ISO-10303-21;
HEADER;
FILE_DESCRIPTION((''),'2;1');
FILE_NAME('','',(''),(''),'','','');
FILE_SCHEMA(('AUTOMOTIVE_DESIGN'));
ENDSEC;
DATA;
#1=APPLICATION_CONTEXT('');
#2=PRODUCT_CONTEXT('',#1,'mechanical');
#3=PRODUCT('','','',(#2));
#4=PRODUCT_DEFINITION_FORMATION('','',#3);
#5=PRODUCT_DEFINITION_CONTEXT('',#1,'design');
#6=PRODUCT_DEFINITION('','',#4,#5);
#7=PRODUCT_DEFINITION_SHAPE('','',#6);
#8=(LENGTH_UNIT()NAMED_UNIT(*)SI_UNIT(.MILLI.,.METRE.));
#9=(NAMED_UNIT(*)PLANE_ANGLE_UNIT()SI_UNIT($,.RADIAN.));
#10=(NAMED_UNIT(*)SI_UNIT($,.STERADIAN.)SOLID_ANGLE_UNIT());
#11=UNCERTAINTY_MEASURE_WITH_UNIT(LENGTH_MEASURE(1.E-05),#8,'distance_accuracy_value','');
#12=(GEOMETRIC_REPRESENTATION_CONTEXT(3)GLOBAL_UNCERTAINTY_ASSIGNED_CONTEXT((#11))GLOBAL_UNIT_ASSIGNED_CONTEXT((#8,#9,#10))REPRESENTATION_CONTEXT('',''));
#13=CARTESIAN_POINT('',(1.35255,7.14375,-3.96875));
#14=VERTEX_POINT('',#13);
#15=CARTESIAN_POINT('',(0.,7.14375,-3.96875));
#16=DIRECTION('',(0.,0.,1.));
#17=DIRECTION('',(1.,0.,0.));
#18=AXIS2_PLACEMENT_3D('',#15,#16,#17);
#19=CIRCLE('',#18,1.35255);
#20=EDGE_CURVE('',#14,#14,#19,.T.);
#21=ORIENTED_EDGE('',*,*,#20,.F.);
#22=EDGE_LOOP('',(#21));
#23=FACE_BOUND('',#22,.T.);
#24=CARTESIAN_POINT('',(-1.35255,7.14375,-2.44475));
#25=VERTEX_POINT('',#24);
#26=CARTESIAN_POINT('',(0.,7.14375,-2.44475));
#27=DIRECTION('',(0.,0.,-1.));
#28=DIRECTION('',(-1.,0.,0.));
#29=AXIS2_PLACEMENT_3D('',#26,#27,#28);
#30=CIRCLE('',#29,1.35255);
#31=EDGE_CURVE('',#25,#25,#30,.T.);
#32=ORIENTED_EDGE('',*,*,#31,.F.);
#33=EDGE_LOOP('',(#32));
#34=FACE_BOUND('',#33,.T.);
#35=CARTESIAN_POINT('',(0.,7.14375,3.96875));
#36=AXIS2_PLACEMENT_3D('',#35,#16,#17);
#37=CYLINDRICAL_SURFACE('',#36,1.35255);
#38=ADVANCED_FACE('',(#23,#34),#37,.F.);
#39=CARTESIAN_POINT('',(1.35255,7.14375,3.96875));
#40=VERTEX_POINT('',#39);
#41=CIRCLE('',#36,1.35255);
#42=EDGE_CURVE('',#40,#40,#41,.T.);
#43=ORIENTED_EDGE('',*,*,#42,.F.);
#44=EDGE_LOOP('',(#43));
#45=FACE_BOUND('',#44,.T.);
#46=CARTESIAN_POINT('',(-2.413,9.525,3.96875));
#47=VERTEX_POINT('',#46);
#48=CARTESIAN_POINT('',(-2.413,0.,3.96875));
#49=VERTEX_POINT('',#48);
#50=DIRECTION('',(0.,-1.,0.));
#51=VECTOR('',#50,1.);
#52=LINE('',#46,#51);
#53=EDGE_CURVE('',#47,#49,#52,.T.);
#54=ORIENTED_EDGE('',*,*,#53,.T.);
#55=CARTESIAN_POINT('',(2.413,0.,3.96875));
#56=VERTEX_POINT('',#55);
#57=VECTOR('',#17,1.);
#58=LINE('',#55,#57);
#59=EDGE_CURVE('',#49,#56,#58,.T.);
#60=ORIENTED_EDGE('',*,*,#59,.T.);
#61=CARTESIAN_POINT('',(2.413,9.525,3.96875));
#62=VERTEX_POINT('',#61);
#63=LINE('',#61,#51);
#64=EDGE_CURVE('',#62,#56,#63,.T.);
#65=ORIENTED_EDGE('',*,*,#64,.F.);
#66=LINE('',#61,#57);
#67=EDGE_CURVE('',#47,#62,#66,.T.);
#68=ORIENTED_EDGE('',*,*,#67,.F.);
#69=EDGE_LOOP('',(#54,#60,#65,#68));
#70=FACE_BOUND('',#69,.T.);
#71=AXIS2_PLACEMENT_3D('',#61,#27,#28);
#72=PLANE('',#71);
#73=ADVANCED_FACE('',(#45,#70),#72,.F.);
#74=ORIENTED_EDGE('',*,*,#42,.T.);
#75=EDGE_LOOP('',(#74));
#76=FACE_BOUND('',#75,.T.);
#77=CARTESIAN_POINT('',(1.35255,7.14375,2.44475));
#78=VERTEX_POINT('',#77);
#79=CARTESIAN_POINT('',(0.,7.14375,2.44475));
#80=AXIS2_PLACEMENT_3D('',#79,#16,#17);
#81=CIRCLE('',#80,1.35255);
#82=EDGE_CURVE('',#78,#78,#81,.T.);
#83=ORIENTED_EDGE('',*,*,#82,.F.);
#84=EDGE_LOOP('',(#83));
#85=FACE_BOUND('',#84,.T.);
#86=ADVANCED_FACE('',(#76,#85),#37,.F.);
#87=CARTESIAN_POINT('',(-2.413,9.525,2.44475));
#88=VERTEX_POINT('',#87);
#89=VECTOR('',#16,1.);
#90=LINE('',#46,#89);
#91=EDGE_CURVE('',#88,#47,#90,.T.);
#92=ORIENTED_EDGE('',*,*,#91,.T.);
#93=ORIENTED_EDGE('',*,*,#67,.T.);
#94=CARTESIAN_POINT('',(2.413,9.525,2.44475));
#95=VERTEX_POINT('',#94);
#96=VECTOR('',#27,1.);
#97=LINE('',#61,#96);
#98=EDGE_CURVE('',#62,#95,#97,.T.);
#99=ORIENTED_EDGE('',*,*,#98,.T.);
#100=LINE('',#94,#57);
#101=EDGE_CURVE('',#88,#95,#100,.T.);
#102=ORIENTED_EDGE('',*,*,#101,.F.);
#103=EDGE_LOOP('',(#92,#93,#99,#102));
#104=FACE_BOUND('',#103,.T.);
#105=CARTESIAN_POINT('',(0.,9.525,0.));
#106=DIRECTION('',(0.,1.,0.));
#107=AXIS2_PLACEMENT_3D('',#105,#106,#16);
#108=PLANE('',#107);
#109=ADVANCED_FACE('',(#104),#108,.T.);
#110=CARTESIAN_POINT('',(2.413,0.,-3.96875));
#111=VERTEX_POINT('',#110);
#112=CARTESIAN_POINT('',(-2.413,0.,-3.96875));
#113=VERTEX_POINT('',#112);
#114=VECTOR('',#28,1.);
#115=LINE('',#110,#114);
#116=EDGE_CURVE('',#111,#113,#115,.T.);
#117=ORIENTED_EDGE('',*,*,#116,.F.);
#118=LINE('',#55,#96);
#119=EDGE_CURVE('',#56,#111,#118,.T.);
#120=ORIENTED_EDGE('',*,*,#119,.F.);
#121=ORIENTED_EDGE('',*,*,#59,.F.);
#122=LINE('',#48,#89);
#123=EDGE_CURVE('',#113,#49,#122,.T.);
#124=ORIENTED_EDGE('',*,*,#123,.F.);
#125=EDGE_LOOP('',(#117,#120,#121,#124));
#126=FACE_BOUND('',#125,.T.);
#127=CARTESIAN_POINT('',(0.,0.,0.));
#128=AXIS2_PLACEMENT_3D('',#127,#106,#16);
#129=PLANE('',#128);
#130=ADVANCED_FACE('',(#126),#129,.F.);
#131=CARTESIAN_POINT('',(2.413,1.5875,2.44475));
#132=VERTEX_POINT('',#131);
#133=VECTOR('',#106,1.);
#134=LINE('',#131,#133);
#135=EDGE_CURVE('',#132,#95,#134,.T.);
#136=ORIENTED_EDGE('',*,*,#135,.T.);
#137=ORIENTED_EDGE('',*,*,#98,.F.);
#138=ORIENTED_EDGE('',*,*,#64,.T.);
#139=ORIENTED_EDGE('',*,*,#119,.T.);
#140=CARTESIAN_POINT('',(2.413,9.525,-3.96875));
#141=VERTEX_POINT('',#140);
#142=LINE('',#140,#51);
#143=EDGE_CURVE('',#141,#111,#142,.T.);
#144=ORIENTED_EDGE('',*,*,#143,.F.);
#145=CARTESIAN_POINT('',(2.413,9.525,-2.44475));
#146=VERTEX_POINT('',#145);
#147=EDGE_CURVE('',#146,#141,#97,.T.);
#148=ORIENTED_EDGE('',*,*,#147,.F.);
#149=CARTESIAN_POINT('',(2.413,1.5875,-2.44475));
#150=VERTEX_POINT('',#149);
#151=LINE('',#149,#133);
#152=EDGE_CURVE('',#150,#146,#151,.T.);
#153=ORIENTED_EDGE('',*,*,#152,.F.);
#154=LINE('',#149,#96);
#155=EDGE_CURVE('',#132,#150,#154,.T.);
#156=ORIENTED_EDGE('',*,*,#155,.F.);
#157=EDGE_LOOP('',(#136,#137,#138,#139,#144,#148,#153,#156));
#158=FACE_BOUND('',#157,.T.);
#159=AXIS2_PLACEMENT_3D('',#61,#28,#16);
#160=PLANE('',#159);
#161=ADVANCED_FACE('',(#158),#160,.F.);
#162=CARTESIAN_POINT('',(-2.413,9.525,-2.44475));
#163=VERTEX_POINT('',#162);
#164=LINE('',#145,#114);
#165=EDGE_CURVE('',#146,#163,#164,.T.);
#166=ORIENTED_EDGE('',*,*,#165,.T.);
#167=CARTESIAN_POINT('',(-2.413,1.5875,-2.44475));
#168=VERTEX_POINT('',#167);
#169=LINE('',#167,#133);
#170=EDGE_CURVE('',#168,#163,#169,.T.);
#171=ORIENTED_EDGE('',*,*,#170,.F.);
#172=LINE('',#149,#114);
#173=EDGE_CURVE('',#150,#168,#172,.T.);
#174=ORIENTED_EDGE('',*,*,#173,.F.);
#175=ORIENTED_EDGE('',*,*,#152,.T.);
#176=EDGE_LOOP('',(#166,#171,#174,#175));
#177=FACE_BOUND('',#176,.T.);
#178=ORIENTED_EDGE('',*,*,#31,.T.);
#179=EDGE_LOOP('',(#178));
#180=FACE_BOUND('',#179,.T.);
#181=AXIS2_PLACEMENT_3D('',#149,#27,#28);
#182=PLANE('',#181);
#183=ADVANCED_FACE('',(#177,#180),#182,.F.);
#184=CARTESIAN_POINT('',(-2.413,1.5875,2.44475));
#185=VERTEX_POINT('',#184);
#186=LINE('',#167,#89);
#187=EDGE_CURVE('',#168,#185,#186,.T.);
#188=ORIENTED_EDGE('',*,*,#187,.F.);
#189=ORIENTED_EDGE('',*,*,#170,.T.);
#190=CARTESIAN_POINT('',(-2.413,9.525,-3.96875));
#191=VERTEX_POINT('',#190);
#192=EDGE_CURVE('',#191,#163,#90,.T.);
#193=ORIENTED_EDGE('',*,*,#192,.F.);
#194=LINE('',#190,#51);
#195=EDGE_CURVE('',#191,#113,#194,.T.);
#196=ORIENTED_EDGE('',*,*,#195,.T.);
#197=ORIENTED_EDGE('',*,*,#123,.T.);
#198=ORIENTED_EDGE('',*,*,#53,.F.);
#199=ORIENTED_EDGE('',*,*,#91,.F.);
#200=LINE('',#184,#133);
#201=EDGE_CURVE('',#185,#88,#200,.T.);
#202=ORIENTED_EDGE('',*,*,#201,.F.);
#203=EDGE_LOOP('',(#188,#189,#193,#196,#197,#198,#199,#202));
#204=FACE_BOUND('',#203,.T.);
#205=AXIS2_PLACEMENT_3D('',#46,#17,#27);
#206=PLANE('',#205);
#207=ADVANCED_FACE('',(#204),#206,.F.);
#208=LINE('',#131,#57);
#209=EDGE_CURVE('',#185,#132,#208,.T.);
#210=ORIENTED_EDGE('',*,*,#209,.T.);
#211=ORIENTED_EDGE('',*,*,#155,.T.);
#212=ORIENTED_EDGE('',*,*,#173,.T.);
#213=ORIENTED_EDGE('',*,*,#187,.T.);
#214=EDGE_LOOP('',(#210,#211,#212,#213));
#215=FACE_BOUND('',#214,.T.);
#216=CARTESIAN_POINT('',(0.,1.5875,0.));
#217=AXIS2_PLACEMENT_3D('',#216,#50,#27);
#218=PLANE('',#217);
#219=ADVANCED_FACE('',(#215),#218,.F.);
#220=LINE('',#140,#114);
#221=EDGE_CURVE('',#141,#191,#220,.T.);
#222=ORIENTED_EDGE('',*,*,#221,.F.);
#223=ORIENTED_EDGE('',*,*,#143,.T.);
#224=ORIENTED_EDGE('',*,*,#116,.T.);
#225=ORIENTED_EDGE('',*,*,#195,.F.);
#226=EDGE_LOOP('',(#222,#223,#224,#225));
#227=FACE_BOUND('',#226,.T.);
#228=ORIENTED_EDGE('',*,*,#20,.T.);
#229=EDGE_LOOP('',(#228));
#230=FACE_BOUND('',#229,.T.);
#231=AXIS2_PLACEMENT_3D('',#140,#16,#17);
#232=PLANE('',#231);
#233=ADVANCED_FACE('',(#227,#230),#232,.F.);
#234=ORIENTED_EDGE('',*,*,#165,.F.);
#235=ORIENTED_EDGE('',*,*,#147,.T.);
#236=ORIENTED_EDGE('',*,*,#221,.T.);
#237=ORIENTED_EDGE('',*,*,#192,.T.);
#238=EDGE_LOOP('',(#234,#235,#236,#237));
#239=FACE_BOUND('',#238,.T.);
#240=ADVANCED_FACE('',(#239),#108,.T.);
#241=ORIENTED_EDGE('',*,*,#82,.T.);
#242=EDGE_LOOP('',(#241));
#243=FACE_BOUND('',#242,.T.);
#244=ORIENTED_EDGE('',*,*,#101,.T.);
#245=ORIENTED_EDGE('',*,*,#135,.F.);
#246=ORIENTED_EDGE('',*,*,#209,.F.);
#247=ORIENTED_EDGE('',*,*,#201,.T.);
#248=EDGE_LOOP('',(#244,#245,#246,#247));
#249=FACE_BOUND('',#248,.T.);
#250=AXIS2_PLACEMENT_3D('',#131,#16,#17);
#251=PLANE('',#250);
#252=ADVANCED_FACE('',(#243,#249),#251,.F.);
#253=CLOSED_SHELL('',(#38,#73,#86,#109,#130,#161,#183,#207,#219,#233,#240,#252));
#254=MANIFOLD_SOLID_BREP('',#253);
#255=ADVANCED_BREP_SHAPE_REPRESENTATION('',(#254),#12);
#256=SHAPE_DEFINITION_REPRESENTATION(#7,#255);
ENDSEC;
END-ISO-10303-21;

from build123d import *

# Parameters (mm, degrees)
SKETCH1_W                 = 4.826
SKETCH1_H                 = 7.9375
BOSS_EXTRUDE1_DEPTH       = 9.525
SKETCH2_W                 = 4.826
SKETCH2_H                 = 4.8895
CUT_EXTRUDE1_DEPTH        = 7.9375
F_6_32_TAPPED_HOLE1_D     = 2.7051
F_6_32_TAPPED_HOLE1_DEPTH = 9.398


with BuildPart() as part:
    # Sketch1 → Boss-Extrude1 (new body)
    with BuildSketch(Plane(origin=(0, 0, 0), x_dir=(1, 0, 0), z_dir=(0, 1, 0))):
        Rectangle(SKETCH1_W, SKETCH1_H)
    extrude(amount=BOSS_EXTRUDE1_DEPTH)

    # Sketch2 → Cut-Extrude1 (cut)
    with BuildSketch(Plane(origin=(0, 9.525, 0), x_dir=(1, 0, 0), z_dir=(0, 1, 0))):
        Rectangle(SKETCH2_W, SKETCH2_H)
    extrude(amount=-CUT_EXTRUDE1_DEPTH, mode=Mode.SUBTRACT)

    # #6-32 Tapped Hole1
    with Locations(Plane.XY.offset(3.96875)):
        with Locations((0, 7.14375)):
            Hole(F_6_32_TAPPED_HOLE1_D / 2, depth=F_6_32_TAPPED_HOLE1_DEPTH)


solid = part.part
